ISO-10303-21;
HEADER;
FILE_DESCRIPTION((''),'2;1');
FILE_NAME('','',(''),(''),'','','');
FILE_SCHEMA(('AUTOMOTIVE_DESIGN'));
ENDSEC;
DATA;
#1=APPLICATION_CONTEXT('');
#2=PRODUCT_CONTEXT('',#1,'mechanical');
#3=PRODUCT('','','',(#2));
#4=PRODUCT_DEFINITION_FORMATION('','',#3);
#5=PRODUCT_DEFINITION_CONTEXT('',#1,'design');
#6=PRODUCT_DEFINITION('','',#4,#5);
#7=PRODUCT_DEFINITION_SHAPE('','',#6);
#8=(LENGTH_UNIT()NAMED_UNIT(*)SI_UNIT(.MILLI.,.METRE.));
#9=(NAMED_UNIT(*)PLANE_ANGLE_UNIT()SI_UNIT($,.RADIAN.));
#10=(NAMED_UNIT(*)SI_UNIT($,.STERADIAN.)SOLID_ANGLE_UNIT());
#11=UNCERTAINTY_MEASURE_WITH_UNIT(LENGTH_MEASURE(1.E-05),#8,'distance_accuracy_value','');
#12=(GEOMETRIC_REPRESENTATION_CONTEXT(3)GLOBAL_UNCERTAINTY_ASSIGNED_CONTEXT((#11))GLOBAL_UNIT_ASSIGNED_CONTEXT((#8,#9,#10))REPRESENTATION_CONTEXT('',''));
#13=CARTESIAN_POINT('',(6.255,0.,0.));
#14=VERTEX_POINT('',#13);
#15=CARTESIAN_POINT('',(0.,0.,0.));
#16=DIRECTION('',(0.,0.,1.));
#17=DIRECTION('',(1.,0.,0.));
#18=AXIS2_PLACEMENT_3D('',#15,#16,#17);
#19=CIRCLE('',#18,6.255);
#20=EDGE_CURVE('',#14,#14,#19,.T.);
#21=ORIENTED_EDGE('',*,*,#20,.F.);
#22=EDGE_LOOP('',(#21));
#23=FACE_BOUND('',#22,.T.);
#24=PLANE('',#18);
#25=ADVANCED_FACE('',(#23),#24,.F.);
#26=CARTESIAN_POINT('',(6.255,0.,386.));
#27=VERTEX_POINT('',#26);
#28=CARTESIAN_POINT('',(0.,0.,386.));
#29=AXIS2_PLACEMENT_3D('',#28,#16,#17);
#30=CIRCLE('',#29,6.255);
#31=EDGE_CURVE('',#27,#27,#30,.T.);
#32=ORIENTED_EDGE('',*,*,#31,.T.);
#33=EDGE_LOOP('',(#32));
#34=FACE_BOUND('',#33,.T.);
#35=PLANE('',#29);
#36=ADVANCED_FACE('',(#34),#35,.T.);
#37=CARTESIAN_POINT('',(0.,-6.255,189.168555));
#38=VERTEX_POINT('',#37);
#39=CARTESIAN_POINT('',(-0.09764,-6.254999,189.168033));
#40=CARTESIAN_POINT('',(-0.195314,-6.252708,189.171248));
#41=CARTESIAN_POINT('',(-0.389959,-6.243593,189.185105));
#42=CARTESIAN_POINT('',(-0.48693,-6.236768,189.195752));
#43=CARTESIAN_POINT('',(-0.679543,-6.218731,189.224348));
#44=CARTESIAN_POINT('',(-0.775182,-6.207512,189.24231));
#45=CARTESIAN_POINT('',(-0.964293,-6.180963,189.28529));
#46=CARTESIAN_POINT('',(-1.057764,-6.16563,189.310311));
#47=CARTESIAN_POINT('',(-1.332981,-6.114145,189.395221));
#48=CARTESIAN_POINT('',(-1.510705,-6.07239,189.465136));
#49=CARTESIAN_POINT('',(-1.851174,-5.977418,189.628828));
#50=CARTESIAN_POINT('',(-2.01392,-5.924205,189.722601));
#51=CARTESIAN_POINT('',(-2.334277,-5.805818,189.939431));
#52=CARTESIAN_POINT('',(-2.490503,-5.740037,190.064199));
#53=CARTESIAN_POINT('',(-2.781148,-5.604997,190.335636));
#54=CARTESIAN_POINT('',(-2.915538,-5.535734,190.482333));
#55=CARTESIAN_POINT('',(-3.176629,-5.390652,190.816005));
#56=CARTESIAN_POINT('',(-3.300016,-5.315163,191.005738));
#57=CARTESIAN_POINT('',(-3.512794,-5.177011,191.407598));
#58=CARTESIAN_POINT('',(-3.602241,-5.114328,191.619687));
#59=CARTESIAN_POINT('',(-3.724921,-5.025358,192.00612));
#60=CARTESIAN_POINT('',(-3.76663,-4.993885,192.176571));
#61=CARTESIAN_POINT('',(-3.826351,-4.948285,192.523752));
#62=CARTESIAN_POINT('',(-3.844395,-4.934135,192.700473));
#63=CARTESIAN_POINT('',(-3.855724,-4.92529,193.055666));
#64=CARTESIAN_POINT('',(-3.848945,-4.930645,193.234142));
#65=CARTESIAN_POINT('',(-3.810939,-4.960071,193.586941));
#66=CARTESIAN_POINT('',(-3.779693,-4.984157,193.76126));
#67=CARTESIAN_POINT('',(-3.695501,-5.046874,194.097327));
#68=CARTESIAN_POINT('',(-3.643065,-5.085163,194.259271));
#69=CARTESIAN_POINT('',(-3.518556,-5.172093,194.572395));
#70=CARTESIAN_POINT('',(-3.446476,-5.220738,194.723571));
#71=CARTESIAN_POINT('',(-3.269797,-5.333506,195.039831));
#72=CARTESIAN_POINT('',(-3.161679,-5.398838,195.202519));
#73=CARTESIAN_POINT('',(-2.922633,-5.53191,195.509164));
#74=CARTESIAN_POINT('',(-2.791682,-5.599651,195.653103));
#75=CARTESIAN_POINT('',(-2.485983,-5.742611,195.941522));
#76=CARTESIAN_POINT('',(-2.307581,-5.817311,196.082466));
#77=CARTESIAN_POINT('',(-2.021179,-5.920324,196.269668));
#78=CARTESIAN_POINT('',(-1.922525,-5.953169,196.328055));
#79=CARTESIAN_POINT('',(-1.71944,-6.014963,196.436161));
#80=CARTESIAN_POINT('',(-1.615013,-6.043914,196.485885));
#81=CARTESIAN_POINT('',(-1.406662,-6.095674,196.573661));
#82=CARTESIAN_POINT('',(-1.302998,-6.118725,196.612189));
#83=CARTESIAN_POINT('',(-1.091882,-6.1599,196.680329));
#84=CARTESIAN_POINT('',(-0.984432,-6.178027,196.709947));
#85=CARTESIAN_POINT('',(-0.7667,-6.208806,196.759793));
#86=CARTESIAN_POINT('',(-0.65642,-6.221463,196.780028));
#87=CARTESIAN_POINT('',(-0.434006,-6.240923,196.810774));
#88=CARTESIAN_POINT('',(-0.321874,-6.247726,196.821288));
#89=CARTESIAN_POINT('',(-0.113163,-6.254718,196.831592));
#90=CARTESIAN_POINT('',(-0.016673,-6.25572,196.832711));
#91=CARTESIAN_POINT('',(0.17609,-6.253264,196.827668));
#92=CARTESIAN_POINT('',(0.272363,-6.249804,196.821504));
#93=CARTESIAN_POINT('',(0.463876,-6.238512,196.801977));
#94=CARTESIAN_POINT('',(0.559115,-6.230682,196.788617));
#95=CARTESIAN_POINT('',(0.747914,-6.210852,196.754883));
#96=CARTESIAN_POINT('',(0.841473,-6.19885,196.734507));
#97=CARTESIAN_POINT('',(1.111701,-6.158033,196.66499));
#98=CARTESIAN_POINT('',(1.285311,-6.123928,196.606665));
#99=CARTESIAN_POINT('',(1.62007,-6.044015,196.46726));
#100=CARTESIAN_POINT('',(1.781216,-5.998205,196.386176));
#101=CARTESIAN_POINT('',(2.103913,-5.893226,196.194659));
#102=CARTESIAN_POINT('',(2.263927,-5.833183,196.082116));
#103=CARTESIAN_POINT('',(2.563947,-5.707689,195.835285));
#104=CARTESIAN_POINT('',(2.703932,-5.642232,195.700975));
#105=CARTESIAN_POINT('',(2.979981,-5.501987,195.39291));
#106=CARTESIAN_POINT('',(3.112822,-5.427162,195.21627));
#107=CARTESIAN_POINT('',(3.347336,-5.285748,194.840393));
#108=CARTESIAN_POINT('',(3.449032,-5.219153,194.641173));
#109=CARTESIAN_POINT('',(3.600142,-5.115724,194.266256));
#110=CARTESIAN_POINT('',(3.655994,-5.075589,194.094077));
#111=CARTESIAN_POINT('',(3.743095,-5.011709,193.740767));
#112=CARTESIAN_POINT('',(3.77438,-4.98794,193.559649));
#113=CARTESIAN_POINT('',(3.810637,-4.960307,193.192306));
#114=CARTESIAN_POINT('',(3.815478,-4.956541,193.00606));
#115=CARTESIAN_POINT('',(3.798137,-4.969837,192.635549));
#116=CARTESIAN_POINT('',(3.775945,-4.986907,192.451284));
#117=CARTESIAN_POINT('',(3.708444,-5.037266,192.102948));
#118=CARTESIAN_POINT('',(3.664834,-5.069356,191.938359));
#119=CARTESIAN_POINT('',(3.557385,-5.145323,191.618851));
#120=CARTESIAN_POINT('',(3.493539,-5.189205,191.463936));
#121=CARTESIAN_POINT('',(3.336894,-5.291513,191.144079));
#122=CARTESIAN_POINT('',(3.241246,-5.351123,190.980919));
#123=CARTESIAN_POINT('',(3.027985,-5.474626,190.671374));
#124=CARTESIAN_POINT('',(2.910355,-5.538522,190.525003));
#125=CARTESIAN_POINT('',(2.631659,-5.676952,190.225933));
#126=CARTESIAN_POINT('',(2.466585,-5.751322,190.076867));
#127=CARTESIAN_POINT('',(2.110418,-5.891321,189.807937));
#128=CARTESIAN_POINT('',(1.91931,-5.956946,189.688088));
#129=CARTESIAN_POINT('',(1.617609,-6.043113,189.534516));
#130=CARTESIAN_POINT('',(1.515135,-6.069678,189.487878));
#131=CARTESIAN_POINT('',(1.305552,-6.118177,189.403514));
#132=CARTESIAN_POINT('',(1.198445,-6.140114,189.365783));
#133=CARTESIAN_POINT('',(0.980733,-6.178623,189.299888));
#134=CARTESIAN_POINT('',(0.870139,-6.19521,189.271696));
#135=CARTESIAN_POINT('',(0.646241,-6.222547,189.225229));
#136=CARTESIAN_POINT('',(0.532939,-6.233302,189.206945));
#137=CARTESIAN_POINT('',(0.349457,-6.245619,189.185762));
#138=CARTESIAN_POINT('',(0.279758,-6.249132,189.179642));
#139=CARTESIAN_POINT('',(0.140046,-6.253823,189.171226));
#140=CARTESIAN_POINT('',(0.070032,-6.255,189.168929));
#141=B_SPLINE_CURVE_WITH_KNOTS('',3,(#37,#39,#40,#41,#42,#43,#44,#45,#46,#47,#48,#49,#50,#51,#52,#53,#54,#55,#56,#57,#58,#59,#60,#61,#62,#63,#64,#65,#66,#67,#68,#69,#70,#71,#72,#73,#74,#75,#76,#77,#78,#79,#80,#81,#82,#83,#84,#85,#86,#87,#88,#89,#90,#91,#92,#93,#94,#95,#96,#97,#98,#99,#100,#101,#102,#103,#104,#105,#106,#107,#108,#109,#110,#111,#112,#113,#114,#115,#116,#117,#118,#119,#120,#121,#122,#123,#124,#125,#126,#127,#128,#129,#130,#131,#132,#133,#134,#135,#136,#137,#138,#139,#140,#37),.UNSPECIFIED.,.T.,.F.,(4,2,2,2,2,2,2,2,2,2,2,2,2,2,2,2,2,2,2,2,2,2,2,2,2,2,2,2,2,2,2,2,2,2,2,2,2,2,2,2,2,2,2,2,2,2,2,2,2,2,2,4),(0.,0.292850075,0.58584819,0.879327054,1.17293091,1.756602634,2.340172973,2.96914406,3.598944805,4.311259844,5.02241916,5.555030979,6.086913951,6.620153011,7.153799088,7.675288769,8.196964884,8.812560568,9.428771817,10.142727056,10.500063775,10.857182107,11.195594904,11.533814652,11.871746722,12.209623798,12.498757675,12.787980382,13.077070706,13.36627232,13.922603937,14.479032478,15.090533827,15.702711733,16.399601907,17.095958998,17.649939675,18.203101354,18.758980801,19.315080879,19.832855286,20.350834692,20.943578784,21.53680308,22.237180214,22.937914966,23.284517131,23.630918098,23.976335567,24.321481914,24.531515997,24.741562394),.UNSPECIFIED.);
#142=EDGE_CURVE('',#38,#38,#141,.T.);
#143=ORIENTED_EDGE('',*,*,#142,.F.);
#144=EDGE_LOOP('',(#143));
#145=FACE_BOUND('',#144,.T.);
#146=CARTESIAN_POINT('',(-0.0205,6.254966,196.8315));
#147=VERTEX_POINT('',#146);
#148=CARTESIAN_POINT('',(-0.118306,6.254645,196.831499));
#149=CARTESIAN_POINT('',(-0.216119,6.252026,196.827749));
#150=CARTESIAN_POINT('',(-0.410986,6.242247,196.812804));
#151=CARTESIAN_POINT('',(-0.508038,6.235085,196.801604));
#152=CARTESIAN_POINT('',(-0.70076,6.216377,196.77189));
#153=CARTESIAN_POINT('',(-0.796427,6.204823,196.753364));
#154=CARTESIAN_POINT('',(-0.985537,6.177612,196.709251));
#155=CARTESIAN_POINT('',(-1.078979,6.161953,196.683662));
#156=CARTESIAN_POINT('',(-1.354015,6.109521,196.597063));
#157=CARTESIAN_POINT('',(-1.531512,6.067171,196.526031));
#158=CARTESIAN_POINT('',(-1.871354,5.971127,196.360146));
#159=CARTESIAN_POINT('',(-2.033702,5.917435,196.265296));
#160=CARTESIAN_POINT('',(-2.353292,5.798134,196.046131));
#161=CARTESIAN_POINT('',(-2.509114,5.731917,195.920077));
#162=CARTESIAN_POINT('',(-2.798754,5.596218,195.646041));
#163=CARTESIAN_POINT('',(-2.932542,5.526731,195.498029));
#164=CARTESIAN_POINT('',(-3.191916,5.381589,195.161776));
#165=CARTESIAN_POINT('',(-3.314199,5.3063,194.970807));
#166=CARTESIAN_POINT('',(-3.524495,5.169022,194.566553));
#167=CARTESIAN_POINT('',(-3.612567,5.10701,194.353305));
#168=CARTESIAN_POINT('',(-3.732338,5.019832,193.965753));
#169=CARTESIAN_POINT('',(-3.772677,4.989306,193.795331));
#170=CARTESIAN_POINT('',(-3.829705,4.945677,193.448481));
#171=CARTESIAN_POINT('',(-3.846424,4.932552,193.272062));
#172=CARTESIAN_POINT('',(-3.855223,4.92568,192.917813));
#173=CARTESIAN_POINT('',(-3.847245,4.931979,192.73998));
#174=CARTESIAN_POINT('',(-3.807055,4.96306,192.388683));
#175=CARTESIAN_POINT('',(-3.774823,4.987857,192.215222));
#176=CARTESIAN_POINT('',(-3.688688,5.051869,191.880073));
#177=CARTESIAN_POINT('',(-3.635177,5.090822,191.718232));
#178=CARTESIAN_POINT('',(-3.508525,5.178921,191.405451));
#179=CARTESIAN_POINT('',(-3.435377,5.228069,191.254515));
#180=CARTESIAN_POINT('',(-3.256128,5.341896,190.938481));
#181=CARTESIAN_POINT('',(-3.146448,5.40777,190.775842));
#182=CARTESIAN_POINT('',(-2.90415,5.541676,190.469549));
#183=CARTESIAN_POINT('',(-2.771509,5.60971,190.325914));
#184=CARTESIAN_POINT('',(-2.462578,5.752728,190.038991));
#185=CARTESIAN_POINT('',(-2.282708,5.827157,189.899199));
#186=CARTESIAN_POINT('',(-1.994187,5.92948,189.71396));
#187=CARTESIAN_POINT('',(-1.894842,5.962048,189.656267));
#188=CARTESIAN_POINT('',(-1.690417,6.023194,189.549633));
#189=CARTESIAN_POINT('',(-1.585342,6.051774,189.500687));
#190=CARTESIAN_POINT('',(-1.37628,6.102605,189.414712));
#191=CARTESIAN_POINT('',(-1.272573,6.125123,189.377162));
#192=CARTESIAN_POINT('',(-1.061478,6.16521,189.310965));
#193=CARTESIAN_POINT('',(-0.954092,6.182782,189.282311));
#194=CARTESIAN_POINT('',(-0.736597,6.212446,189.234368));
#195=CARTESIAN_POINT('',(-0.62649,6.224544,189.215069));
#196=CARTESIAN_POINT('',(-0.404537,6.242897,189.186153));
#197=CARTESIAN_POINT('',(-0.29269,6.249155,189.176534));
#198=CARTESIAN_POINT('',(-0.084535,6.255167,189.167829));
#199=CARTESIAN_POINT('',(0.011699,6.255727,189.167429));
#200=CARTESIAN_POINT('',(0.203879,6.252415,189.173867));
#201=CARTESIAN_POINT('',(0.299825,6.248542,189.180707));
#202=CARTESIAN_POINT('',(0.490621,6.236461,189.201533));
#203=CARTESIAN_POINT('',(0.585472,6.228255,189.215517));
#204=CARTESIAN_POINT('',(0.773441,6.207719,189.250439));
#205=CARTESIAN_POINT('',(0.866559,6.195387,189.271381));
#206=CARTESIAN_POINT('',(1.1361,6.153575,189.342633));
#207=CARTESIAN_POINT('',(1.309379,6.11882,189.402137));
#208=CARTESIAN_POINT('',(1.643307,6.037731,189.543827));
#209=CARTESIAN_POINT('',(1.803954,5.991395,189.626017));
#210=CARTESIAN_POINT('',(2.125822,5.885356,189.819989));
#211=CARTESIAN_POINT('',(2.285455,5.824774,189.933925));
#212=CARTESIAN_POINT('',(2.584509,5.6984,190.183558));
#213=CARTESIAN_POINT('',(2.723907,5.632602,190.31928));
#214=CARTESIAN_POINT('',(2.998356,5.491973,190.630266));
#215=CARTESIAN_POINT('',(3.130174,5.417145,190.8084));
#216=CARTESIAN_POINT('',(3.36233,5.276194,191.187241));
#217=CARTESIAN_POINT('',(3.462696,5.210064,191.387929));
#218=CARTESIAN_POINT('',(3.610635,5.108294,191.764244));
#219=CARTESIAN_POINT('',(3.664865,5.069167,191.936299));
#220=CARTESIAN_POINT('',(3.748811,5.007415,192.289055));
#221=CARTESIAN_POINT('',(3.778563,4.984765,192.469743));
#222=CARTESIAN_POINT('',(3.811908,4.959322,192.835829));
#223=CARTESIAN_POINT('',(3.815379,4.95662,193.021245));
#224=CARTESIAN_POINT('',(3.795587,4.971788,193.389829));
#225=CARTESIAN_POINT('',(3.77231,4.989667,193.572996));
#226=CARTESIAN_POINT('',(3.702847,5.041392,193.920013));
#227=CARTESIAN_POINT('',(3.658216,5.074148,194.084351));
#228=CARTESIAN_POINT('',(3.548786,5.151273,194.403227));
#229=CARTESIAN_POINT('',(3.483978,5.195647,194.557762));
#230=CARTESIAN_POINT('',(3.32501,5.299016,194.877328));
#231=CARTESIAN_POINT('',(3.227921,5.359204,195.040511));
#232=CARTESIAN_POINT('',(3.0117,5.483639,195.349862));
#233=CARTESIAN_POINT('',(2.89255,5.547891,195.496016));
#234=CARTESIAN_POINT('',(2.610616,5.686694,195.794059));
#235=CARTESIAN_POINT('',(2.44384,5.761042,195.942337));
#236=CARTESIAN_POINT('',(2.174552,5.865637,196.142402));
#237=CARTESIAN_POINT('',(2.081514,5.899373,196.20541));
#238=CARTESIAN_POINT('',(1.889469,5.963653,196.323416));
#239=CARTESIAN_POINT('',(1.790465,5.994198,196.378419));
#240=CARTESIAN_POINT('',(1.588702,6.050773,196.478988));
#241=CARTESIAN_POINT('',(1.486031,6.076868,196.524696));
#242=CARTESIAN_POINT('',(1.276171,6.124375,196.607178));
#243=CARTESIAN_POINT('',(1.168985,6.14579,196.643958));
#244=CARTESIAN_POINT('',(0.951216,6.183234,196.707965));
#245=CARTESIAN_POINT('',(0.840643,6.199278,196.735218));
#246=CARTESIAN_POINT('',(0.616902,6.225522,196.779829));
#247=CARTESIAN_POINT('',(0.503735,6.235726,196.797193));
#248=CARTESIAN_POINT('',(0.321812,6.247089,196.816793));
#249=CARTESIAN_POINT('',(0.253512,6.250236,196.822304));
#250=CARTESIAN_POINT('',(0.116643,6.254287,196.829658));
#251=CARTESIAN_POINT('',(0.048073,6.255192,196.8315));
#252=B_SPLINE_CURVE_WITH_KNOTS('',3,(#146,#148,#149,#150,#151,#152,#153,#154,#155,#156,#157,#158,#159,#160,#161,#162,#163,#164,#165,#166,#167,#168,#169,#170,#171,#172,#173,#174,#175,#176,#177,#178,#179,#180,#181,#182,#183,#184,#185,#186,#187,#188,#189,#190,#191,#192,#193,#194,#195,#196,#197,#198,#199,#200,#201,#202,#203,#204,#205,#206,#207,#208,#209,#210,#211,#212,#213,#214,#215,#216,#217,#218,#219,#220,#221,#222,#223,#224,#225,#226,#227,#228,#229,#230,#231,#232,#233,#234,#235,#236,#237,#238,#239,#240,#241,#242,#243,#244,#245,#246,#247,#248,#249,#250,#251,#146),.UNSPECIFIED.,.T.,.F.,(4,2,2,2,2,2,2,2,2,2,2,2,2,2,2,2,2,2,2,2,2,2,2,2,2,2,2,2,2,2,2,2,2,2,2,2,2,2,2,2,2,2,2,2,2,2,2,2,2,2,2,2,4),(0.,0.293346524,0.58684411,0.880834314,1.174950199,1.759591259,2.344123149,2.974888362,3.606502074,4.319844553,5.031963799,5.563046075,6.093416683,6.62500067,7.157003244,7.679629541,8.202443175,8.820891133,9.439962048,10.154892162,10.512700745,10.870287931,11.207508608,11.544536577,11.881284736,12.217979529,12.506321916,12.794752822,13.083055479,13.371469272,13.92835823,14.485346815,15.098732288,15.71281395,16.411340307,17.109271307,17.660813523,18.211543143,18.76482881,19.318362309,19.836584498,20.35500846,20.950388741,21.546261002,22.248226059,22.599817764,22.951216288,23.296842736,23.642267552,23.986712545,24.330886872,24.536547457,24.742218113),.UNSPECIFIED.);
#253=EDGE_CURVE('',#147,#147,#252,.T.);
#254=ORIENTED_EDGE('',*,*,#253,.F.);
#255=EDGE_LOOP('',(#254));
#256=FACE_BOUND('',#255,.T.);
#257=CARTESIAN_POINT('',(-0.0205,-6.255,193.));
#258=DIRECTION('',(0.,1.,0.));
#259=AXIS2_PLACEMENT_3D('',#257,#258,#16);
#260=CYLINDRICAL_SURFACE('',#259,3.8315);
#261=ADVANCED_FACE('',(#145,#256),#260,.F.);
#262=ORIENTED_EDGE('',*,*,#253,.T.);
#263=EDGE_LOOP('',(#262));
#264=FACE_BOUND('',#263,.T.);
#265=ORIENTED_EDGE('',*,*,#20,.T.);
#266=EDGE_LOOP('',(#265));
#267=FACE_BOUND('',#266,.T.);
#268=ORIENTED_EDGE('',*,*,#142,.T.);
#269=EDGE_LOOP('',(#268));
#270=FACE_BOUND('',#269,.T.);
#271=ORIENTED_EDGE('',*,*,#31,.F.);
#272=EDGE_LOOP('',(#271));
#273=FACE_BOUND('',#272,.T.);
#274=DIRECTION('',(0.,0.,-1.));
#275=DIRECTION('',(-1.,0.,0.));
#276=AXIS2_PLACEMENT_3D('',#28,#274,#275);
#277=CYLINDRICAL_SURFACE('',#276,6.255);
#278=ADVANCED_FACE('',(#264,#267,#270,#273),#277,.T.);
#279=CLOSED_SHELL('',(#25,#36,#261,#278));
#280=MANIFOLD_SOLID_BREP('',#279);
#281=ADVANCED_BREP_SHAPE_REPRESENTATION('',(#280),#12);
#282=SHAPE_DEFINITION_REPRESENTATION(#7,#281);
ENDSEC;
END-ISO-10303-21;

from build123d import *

# Parameters (mm, degrees)
ESBO_O1_R                = 6.255
RESSALTO_EXTRUS_O1_DEPTH = 386
ESBO_O2_R                = 3.8315
CORTE_EXTRUS_O1_DEPTH    = 387.39274068


with BuildPart() as part:
    # Esboço1 → Ressalto-extrusão1 (new body)
    with BuildSketch(Plane.XY):
        Circle(ESBO_O1_R)
    extrude(amount=RESSALTO_EXTRUS_O1_DEPTH)

    # Esboço2 → Corte-extrusão1 (cut, through all)
    with BuildSketch(Plane(origin=(0, 10, 0), x_dir=(1, 0, 0), z_dir=(0, 1, 0))):
        with Locations(Location((-0.0205, -193, 0), (0, 0, 270))):
            Circle(ESBO_O2_R)
    extrude(amount=-CORTE_EXTRUS_O1_DEPTH, mode=Mode.SUBTRACT)


solid = part.part
